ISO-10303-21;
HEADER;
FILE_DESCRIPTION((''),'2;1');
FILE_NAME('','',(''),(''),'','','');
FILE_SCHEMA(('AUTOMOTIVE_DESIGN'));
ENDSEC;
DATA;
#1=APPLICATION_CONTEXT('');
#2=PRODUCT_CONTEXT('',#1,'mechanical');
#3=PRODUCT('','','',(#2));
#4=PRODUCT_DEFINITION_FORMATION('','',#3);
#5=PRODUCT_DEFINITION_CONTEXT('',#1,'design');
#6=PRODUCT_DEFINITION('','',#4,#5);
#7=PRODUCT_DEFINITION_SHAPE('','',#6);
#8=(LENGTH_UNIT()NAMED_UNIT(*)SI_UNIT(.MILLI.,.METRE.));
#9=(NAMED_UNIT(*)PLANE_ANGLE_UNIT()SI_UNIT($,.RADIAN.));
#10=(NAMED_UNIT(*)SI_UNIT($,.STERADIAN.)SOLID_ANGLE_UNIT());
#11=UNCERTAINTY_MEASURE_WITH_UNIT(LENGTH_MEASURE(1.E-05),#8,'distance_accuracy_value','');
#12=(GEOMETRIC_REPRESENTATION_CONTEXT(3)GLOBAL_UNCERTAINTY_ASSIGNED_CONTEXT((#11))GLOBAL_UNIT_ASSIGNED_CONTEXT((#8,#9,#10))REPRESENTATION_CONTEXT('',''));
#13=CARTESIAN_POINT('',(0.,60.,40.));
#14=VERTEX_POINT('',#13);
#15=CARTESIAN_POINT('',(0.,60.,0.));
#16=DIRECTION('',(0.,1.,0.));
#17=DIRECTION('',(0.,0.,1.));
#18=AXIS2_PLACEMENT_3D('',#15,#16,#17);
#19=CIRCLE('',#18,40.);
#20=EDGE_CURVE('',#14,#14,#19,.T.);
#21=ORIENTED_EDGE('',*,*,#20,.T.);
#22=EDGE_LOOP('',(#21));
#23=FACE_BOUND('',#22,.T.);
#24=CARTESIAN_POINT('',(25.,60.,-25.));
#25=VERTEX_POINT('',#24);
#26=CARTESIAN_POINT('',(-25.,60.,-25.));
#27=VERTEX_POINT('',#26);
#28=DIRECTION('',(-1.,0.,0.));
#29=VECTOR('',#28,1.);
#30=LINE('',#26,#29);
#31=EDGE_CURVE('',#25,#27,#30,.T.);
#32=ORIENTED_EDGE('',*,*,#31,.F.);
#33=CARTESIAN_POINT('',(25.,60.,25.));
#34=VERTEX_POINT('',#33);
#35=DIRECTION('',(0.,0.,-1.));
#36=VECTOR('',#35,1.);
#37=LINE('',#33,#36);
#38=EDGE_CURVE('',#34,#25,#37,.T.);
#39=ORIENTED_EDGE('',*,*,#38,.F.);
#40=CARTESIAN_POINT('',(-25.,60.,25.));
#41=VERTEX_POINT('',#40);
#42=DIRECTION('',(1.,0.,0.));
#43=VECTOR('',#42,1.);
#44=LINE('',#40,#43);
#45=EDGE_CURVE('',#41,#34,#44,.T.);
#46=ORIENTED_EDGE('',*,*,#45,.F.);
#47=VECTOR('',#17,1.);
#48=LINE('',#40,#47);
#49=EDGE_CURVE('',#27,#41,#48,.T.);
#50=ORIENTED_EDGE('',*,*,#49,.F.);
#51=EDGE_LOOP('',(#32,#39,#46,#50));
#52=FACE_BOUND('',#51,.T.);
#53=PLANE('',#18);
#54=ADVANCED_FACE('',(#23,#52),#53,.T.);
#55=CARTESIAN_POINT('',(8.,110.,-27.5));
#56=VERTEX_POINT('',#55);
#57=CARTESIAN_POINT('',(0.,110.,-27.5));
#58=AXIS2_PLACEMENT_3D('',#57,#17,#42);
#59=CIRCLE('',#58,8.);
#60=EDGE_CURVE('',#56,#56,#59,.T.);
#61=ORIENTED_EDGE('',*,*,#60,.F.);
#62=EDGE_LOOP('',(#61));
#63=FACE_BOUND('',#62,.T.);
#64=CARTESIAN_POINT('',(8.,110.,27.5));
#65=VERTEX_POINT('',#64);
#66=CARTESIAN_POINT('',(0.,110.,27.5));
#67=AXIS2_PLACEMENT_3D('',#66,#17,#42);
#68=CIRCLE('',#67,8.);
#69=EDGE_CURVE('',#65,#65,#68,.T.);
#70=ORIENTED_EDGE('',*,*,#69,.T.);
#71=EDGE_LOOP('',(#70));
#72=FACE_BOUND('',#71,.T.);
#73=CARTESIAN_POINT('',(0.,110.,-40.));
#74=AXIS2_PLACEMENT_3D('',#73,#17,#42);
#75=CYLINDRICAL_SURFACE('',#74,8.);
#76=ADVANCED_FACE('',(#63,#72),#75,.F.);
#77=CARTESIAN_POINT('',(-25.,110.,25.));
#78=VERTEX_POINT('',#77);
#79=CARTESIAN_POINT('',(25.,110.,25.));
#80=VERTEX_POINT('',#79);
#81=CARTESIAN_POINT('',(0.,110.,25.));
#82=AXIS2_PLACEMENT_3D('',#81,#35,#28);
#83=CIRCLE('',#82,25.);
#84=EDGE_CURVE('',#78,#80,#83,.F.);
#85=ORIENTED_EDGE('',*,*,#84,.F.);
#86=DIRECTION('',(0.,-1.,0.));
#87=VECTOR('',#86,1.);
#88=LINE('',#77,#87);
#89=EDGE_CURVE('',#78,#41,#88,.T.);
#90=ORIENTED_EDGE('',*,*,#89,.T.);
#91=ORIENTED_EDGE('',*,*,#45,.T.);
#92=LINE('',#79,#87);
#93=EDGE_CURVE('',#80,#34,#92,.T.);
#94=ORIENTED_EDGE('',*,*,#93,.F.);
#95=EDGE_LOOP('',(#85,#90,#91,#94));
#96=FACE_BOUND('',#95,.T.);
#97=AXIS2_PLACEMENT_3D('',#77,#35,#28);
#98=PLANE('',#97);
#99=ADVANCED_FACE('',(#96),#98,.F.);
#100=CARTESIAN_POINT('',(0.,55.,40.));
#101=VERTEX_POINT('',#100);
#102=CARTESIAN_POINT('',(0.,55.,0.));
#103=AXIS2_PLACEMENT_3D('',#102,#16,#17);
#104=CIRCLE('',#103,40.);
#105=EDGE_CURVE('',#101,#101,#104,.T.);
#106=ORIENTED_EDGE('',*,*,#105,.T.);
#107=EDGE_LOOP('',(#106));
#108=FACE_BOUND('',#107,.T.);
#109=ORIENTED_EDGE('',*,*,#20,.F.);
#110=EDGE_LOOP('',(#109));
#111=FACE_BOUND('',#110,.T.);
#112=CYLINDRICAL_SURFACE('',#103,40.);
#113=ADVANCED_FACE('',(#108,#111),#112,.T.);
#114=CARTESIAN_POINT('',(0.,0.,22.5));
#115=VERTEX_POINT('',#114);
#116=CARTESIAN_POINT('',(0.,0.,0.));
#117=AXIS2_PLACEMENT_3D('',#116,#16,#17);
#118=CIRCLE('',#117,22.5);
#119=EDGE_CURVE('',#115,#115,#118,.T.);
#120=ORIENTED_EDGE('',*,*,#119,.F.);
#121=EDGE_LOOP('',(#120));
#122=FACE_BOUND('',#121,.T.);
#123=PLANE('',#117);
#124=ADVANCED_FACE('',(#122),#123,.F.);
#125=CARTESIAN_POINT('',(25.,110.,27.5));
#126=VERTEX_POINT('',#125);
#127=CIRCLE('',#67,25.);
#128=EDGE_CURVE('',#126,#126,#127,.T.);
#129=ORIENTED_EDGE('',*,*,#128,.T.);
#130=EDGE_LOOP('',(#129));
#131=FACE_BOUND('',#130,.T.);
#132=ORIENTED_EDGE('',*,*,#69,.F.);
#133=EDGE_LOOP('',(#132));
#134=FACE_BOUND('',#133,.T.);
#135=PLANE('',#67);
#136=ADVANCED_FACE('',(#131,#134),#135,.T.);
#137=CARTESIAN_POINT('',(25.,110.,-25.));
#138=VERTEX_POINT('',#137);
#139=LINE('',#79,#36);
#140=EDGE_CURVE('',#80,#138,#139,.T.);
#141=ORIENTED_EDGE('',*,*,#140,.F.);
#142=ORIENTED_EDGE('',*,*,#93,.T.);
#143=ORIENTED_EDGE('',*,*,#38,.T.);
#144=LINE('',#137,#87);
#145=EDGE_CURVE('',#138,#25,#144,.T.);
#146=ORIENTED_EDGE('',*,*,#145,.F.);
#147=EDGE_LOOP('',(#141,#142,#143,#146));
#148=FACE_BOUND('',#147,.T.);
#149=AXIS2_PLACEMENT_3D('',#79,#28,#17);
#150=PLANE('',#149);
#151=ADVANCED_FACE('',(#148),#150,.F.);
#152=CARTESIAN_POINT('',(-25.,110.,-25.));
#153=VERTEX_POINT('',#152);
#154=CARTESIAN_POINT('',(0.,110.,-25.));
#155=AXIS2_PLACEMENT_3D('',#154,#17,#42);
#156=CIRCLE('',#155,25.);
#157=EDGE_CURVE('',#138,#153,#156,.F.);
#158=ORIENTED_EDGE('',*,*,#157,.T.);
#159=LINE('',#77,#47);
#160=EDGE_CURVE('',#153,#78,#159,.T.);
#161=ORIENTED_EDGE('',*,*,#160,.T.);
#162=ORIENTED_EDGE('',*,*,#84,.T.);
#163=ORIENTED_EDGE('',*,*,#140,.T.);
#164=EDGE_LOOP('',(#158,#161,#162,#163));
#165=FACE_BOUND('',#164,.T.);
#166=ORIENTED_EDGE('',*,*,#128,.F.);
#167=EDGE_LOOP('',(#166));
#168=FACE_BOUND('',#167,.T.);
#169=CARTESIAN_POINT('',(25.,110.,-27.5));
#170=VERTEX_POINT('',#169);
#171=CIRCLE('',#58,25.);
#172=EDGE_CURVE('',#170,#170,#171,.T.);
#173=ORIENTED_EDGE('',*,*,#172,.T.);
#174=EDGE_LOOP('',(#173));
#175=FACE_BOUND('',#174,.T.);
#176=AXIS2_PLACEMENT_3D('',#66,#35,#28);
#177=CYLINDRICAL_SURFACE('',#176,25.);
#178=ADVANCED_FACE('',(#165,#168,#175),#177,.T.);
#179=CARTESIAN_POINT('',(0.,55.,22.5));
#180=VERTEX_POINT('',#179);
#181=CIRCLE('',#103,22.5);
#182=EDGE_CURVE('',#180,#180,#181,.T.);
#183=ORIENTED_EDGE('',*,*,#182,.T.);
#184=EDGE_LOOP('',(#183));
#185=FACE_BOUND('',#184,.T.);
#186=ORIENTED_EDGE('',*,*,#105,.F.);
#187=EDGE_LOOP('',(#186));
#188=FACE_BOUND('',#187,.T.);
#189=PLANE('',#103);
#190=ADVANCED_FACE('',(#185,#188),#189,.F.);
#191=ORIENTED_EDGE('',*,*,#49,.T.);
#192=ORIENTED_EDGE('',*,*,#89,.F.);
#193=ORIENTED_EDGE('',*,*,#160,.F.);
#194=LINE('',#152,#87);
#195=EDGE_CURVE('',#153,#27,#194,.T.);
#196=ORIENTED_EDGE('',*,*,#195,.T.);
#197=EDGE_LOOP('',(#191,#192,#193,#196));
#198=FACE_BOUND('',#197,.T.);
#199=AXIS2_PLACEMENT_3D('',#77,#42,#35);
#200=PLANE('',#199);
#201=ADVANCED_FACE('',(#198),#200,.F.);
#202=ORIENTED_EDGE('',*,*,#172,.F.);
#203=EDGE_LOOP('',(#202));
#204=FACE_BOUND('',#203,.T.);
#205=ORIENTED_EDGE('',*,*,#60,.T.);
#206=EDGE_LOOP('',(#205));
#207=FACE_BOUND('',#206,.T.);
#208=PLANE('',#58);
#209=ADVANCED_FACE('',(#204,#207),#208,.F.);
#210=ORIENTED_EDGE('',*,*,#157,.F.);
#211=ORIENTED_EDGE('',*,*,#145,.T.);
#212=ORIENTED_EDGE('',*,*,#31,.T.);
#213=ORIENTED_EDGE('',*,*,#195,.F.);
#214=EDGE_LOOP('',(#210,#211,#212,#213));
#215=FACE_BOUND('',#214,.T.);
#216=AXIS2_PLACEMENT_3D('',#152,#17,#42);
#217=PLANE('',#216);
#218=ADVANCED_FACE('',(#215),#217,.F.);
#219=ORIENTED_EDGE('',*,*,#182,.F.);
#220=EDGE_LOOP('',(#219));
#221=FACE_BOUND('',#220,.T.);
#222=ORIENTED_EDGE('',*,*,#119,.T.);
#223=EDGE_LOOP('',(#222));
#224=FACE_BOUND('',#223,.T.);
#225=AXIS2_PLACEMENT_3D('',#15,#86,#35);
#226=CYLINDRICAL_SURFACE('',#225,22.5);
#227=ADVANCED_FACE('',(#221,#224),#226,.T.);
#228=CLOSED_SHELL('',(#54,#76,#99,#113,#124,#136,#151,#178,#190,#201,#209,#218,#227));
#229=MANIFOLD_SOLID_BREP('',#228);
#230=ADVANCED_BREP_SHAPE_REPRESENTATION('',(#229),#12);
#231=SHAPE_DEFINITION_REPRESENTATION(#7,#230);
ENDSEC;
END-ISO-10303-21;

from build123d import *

# Parameters (mm, degrees)
IZIM1_R                     = 22.5
Y_KSEKLIK_EKSTR_ZYON1_DEPTH = 60
IZIM2_R                     = 40
IZIM2_R_2                   = 22.5
Y_KSEKLIK_EKSTR_ZYON2_DEPTH = 5
IZIM3_W                     = 50
IZIM3_H                     = 50
Y_KSEKLIK_EKSTR_ZYON3_DEPTH = 50
IZIM4_R                     = 25
Y_KSEKLIK_EKSTR_ZYON4_DEPTH = 27.5
IZIM5_R                     = 8
KES_EKSTR_ZYON1_DEPTH       = 68.5


with BuildPart() as part:
    # Çizim1 → Yükseklik-Ekstrüzyon1 (new body)
    with BuildSketch(Plane(origin=(0, 0, 0), x_dir=(1, 0, 0), z_dir=(0, 1, 0))):
        Circle(IZIM1_R)
    extrude(amount=Y_KSEKLIK_EKSTR_ZYON1_DEPTH)

    # Çizim2 → Yükseklik-Ekstrüzyon2 (add)
    with BuildSketch(Plane(origin=(0, 60, 0), x_dir=(1, 0, 0), z_dir=(0, 1, 0))):
        Circle(IZIM2_R)
        Circle(IZIM2_R_2, mode=Mode.SUBTRACT)
    extrude(amount=-Y_KSEKLIK_EKSTR_ZYON2_DEPTH)

    # Çizim3 → Yükseklik-Ekstrüzyon3 (add)
    with BuildSketch(Plane(origin=(0, 60, 0), x_dir=(1, 0, 0), z_dir=(0, 1, 0))):
        Rectangle(IZIM3_W, IZIM3_H)
    extrude(amount=Y_KSEKLIK_EKSTR_ZYON3_DEPTH)

    # Çizim4 → Yükseklik-Ekstrüzyon4 (add, symmetric)
    with BuildSketch(Plane.XY):
        with Locations((0, 110)):
            Circle(IZIM4_R)
    extrude(amount=Y_KSEKLIK_EKSTR_ZYON4_DEPTH, both=True)

    # Çizim5 → Kes-Ekstrüzyon1 (cut, through all)
    with BuildSketch(Plane.XY.offset(27.5)):
        with Locations((0, 110)):
            Circle(IZIM5_R)
    extrude(amount=-KES_EKSTR_ZYON1_DEPTH, mode=Mode.SUBTRACT)


solid = part.part
